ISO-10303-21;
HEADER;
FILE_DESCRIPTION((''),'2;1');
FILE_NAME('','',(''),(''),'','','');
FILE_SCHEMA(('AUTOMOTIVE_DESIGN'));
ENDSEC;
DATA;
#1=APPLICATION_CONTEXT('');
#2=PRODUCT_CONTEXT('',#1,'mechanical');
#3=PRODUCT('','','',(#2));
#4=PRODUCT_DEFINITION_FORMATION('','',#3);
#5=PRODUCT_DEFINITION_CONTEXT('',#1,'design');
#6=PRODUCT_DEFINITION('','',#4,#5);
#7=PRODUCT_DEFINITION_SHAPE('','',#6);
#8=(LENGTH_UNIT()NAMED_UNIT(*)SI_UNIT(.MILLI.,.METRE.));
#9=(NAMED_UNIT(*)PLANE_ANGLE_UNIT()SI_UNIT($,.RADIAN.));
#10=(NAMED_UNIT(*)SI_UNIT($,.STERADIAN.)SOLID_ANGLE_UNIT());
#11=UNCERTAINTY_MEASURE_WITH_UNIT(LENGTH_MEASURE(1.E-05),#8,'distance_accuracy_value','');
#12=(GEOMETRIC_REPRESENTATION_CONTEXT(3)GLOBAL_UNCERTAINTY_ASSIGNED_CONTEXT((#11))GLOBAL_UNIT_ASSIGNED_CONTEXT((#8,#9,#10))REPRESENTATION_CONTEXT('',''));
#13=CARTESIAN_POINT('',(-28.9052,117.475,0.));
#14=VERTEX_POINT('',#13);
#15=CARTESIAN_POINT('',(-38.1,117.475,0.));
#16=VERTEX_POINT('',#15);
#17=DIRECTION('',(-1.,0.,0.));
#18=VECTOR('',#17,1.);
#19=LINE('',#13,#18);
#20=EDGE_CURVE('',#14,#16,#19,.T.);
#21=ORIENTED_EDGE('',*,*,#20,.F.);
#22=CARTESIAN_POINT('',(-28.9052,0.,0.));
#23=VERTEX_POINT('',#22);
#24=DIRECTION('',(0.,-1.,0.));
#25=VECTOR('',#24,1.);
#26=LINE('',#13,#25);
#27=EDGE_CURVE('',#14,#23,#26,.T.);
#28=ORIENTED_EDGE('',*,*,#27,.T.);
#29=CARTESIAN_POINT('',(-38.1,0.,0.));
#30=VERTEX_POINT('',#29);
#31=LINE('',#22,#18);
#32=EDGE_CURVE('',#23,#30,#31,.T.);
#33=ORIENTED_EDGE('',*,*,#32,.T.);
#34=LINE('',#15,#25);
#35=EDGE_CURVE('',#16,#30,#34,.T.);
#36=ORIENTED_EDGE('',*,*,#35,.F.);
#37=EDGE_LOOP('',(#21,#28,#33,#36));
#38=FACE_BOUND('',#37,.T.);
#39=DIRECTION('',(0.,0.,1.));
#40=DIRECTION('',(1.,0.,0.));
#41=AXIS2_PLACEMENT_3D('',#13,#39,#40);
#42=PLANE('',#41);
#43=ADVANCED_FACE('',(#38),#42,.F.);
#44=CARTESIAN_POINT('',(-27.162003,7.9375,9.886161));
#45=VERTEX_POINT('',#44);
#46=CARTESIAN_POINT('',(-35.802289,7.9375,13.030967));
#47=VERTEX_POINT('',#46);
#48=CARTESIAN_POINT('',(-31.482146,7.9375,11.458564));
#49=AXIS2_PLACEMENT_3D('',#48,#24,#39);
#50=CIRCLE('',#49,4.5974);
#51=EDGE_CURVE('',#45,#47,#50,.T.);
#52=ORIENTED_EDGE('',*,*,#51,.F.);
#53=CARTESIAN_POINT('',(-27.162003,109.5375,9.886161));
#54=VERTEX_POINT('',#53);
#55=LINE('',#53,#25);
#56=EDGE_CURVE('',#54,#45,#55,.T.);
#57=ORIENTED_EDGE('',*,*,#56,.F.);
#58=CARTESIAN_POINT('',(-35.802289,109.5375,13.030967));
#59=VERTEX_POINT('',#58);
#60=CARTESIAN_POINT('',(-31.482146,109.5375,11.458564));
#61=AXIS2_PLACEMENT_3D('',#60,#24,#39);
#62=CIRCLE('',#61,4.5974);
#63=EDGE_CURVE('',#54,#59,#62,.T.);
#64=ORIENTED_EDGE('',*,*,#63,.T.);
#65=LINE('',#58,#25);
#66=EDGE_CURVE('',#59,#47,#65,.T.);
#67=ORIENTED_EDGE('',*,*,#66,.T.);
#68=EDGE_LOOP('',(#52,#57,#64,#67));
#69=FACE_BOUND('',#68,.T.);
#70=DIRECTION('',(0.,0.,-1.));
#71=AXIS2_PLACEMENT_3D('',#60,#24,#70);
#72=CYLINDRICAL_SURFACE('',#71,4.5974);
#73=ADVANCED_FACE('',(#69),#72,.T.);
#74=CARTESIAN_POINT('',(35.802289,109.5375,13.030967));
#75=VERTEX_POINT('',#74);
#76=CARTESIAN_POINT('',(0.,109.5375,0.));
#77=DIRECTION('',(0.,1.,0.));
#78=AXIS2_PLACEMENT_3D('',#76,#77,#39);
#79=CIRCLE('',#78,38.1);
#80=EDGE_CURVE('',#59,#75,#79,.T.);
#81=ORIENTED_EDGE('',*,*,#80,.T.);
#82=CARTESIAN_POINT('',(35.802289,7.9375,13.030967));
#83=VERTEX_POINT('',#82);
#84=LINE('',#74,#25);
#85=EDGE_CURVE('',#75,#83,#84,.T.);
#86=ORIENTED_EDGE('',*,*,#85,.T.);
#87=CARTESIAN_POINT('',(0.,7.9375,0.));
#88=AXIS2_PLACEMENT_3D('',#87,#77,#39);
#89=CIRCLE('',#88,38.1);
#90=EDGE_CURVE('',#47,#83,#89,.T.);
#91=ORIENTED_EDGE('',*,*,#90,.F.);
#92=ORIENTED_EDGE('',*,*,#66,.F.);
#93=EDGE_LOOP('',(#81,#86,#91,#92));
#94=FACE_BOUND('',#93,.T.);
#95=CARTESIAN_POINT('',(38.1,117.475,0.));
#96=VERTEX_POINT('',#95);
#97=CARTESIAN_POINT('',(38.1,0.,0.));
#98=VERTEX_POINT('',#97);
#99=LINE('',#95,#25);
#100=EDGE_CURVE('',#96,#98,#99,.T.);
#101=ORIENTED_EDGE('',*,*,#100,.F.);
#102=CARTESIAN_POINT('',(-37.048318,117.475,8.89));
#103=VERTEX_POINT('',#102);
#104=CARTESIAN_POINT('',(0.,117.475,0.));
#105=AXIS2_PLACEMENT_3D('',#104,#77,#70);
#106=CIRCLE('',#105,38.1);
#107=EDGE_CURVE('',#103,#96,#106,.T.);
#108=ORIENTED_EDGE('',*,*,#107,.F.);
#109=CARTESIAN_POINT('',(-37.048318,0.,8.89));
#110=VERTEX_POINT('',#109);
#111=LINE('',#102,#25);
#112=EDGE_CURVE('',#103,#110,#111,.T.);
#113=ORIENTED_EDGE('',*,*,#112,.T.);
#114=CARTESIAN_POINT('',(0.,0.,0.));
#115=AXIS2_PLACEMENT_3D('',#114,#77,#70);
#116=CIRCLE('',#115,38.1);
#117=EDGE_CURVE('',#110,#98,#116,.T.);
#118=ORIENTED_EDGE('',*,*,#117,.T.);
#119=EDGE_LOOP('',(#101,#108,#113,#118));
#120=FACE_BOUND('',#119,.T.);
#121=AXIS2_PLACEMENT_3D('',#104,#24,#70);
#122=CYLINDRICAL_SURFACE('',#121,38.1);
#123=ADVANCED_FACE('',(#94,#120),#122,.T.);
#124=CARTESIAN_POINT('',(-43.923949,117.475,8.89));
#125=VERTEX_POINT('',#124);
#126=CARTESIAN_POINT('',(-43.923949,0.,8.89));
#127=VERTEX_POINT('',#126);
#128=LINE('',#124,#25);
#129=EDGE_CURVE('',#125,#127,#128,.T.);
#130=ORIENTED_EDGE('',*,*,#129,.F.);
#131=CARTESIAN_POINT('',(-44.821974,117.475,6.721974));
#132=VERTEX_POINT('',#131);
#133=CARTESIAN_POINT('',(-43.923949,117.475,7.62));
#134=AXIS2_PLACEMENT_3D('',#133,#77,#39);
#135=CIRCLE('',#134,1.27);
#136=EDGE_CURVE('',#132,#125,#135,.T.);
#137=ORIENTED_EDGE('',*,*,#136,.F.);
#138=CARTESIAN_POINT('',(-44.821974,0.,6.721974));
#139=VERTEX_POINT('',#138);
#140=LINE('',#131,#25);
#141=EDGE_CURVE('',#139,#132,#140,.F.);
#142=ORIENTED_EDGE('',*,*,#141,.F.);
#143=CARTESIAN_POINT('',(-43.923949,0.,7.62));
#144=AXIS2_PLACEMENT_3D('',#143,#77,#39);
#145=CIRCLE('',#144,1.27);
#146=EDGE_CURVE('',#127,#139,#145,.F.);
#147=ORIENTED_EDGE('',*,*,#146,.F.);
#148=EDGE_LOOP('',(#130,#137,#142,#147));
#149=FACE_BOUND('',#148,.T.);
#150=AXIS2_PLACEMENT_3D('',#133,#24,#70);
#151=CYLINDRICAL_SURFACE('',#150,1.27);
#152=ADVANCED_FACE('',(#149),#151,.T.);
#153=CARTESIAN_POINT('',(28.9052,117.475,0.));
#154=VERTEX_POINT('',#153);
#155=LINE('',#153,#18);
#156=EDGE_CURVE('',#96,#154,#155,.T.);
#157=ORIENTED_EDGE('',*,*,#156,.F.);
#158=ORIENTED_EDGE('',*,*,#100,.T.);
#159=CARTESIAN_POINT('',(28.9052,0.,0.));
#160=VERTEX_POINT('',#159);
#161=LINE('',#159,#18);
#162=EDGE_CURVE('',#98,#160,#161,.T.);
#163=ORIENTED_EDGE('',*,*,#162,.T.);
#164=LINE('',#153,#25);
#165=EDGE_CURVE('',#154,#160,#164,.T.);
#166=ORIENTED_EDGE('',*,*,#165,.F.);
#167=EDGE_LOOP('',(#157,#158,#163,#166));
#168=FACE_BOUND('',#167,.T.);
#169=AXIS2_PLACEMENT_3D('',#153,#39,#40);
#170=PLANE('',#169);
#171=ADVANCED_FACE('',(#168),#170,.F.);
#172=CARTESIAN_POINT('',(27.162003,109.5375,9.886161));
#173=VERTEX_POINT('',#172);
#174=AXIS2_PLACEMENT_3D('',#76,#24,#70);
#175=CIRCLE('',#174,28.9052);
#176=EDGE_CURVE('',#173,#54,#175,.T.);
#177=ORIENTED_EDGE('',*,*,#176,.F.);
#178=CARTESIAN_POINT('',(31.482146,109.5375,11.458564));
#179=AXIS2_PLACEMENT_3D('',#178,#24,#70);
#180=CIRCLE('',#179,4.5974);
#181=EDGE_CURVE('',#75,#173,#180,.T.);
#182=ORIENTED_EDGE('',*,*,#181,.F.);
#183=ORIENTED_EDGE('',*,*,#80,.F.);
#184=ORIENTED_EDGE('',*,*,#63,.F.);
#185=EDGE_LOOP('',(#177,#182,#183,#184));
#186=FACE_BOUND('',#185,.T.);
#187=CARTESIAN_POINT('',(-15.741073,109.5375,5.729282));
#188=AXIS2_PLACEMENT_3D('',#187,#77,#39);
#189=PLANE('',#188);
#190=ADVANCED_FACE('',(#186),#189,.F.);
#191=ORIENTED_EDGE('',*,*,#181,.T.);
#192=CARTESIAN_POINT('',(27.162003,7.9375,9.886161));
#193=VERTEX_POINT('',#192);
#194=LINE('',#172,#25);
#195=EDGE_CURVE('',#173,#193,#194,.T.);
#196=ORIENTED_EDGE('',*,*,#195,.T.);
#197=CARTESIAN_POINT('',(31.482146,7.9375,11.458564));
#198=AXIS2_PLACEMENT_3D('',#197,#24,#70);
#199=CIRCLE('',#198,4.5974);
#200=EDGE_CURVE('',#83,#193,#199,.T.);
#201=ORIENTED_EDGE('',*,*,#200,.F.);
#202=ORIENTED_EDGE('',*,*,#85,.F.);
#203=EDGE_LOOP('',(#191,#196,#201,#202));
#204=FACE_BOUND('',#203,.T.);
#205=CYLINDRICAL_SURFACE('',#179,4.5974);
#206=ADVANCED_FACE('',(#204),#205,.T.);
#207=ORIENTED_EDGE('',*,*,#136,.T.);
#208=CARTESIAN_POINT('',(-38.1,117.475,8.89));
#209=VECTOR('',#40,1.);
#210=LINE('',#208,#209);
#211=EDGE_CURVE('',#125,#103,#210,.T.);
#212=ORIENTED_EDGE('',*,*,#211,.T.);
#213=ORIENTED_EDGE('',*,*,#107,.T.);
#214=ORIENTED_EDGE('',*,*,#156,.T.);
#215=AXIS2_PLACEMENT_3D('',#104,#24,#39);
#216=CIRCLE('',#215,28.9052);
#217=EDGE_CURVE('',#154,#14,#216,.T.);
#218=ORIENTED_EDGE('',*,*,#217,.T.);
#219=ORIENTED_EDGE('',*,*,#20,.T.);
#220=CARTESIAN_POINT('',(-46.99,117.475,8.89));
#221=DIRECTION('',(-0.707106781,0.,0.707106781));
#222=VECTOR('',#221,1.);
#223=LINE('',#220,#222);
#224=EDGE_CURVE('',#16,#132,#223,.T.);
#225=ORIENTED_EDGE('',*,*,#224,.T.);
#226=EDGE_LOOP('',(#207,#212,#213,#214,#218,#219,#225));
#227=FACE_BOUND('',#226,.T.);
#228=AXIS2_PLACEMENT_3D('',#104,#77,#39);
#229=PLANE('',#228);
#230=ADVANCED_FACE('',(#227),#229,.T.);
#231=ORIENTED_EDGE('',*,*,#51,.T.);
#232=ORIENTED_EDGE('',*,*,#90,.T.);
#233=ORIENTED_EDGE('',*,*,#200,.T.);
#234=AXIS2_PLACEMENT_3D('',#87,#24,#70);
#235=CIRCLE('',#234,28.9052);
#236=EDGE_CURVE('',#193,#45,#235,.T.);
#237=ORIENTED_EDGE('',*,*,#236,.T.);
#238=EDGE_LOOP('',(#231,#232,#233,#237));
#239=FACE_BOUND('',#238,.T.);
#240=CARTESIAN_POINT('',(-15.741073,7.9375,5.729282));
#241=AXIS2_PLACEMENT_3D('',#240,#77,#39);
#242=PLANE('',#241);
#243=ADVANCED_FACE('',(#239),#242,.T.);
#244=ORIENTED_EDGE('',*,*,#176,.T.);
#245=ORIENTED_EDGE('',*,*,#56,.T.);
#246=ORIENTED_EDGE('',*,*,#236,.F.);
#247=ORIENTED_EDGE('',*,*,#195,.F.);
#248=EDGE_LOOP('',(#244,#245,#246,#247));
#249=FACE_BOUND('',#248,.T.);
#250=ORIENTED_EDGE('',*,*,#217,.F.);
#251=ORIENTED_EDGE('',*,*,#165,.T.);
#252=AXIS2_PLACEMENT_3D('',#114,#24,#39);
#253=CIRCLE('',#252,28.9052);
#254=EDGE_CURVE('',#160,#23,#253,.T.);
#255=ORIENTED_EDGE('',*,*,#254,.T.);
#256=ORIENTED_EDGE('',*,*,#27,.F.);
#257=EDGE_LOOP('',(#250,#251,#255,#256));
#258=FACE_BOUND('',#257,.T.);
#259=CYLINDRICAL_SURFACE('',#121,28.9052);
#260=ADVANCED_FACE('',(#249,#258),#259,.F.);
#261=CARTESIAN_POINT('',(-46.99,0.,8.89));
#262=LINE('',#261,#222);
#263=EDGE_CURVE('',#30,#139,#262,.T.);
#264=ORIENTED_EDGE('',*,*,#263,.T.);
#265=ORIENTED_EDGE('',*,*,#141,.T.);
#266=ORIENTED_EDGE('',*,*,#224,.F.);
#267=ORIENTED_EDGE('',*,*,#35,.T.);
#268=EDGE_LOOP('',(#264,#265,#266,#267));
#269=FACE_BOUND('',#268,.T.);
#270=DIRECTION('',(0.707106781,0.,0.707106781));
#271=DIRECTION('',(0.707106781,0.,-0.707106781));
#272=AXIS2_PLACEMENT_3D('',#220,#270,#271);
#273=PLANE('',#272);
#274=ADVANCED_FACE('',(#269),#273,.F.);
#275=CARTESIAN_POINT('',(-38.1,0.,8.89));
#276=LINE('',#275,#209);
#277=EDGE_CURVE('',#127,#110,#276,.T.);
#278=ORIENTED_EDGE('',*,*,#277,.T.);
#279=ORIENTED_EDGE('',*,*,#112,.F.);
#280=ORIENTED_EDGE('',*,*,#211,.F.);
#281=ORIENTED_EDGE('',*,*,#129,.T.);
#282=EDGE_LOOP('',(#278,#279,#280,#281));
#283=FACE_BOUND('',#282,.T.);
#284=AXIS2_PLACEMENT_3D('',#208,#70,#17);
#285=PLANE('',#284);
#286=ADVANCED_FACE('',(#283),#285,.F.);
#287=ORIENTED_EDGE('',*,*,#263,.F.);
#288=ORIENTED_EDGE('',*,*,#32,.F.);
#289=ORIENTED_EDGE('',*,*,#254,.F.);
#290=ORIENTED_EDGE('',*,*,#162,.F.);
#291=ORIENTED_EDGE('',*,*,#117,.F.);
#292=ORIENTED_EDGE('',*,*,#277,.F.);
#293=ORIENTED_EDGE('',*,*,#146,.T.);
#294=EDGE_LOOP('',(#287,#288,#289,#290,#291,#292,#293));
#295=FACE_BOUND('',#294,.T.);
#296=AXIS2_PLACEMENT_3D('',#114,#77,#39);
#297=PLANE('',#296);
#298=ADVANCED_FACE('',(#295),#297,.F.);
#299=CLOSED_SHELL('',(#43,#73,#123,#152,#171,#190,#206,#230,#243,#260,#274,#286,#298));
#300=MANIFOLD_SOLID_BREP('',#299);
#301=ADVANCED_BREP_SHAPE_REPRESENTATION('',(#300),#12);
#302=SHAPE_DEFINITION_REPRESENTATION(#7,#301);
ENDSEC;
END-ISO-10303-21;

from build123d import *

# Parameters (mm, degrees)
BOSS_EXTRUDE1_DEPTH = 117.475
FILLET2_R           = 1.27
CUT_EXTRUDE2_START  = 7.9375
CUT_EXTRUDE2_DEPTH  = 101.6


with BuildPart() as part:
    # Sketch4 → Boss-Extrude1 (new body)
    with BuildSketch(Plane(origin=(0, 0, 0), x_dir=(1, 0, 0), z_dir=(0, 1, 0))):
        with BuildLine():
            Line((-28.9052, 0), (-38.1, 0))
            Line((-38.1, 0), (-46.99, -8.89))
            Line((-46.99, -8.89), (-38.1, -8.89))
            Line((-38.1, -8.89), (-37.04831845, -8.89))
            ThreePointArc((-37.04831845, -8.89), (4.475995255, -37.836166118), (38.1, 0))
            Line((38.1, 0), (28.9052, 0))
            ThreePointArc((28.9052, 0), (0, -28.9052), (-28.9052, 0))
        make_face()
    extrude(amount=BOSS_EXTRUDE1_DEPTH)

    # Fillet2
    fillet2_edges = [part.edges().sort_by_distance(p)[0] for p in [
        (-46.99, 58.7375, 8.89),
    ]]
    fillet(fillet2_edges, radius=FILLET2_R)

    # Sketch6 → Cut-Extrude2 (cut)
    with BuildSketch(Plane(origin=(0, 0, 0), x_dir=(1, 0, 0), z_dir=(0, 1, 0)).offset(CUT_EXTRUDE2_START)):
        with BuildLine():
            ThreePointArc((-35.802288852, -13.030967461), (0, -38.1), (35.802288852, -13.030967461))
            ThreePointArc((35.802288852, -13.030967461), (29.90974259, -15.778706909), (27.162003142, -9.886160647))
            ThreePointArc((27.162003142, -9.886160647), (0, -28.9052), (-27.162003142, -9.886160647))
            ThreePointArc((-27.162003142, -9.886160647), (-29.90974259, -15.778706909), (-35.802288852, -13.030967461))
        make_face()
    extrude(amount=CUT_EXTRUDE2_DEPTH, mode=Mode.SUBTRACT)


solid = part.part
